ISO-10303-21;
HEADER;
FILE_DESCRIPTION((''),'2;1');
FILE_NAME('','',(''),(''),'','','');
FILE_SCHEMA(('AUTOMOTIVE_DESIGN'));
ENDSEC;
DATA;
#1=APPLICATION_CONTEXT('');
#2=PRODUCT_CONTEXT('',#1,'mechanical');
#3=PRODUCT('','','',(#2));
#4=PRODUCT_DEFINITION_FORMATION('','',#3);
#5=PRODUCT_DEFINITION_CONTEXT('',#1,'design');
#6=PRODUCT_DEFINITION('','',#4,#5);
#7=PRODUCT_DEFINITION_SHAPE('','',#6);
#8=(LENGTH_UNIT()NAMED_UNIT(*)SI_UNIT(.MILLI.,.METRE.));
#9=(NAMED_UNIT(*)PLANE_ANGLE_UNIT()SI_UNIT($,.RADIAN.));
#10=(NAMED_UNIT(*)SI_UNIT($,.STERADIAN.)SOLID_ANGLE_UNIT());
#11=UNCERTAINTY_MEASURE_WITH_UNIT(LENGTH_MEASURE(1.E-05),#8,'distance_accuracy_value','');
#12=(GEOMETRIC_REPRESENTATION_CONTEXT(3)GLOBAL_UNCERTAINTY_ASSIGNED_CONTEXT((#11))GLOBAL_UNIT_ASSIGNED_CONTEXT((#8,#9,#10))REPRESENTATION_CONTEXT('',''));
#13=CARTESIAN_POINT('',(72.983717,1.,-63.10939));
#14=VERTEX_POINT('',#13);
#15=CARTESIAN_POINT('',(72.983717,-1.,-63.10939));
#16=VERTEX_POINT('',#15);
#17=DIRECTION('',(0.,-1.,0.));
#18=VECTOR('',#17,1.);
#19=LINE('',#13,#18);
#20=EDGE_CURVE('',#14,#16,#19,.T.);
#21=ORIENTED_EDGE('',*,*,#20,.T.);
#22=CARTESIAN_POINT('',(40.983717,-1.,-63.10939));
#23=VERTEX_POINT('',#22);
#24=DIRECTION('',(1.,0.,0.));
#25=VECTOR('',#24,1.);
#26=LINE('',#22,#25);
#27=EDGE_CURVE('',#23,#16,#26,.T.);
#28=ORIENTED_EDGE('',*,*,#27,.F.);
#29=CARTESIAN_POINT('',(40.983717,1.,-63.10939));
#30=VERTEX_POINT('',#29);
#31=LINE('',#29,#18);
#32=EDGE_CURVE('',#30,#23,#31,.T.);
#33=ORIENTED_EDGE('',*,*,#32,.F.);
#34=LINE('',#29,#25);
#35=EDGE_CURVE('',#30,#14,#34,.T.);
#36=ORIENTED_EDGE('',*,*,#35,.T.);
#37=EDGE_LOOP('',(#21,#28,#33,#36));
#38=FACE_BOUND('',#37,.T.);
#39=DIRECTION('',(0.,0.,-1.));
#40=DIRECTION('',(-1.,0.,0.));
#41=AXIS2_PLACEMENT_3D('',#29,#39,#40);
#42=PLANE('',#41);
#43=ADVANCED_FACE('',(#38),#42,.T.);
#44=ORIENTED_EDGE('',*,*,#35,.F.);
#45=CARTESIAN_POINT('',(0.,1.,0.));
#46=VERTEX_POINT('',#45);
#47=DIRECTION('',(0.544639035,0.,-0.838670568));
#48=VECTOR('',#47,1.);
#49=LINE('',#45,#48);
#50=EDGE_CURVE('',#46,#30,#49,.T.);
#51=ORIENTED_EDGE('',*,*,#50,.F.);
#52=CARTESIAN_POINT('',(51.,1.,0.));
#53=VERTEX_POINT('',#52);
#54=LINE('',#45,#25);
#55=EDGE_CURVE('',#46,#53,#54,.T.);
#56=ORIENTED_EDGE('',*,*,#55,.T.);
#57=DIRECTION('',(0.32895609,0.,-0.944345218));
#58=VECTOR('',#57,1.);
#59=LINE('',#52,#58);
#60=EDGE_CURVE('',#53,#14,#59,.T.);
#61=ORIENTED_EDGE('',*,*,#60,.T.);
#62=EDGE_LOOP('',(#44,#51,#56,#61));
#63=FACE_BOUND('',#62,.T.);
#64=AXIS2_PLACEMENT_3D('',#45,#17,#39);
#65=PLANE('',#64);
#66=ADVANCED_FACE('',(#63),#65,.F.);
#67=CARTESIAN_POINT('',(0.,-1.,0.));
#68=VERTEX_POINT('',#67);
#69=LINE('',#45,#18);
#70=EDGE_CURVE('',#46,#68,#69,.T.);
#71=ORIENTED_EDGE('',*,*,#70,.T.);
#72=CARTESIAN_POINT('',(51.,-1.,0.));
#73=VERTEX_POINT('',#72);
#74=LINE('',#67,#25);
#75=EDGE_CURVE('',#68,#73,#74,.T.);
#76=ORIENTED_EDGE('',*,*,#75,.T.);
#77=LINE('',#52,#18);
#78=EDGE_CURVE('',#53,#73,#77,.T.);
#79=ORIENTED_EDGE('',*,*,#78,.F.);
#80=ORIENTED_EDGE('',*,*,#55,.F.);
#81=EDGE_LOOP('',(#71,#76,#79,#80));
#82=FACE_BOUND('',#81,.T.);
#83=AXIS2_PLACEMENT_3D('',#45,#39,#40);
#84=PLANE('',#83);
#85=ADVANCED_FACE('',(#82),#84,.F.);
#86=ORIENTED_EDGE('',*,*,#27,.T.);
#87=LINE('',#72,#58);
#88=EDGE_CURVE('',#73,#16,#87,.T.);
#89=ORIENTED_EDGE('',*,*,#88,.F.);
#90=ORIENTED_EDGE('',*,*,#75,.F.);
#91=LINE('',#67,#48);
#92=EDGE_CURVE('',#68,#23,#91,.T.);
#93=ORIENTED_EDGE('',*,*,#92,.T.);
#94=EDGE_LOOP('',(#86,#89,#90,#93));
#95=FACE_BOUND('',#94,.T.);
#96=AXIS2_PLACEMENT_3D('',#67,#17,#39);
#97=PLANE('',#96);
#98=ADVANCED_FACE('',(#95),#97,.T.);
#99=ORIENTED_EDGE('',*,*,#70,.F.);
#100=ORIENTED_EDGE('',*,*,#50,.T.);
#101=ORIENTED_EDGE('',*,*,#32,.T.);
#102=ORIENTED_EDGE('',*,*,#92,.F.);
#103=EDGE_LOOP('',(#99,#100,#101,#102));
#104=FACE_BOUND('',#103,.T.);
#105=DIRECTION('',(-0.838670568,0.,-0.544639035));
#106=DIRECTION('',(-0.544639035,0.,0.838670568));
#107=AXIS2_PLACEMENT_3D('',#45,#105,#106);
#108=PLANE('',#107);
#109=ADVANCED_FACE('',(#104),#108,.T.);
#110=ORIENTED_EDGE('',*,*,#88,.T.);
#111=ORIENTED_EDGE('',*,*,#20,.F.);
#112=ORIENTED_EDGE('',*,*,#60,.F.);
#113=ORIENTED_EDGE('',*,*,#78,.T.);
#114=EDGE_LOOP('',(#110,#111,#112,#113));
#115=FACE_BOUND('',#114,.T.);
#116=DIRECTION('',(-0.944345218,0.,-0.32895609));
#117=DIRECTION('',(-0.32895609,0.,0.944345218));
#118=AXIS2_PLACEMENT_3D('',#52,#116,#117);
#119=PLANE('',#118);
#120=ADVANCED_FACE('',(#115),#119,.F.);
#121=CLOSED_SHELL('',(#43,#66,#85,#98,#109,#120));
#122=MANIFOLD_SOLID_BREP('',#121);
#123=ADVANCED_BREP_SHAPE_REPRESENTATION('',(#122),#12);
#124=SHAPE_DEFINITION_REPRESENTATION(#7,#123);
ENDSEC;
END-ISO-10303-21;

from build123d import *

# Parameters (mm, degrees)
BOSS_EXTRUDE1_DEPTH = 1


with BuildPart() as part:
    # Sketch1 → Boss-Extrude1 (new, symmetric)
    with BuildSketch(Plane(origin=(0, 0, 0), x_dir=(1, 0, 0), z_dir=(0, 1, 0))):
        Polygon((0, 0), (51, 0), (72.983717202, 63.109390206), (40.983717202, 63.109390206), align=None)
    extrude(amount=BOSS_EXTRUDE1_DEPTH, both=True)


solid = part.part
